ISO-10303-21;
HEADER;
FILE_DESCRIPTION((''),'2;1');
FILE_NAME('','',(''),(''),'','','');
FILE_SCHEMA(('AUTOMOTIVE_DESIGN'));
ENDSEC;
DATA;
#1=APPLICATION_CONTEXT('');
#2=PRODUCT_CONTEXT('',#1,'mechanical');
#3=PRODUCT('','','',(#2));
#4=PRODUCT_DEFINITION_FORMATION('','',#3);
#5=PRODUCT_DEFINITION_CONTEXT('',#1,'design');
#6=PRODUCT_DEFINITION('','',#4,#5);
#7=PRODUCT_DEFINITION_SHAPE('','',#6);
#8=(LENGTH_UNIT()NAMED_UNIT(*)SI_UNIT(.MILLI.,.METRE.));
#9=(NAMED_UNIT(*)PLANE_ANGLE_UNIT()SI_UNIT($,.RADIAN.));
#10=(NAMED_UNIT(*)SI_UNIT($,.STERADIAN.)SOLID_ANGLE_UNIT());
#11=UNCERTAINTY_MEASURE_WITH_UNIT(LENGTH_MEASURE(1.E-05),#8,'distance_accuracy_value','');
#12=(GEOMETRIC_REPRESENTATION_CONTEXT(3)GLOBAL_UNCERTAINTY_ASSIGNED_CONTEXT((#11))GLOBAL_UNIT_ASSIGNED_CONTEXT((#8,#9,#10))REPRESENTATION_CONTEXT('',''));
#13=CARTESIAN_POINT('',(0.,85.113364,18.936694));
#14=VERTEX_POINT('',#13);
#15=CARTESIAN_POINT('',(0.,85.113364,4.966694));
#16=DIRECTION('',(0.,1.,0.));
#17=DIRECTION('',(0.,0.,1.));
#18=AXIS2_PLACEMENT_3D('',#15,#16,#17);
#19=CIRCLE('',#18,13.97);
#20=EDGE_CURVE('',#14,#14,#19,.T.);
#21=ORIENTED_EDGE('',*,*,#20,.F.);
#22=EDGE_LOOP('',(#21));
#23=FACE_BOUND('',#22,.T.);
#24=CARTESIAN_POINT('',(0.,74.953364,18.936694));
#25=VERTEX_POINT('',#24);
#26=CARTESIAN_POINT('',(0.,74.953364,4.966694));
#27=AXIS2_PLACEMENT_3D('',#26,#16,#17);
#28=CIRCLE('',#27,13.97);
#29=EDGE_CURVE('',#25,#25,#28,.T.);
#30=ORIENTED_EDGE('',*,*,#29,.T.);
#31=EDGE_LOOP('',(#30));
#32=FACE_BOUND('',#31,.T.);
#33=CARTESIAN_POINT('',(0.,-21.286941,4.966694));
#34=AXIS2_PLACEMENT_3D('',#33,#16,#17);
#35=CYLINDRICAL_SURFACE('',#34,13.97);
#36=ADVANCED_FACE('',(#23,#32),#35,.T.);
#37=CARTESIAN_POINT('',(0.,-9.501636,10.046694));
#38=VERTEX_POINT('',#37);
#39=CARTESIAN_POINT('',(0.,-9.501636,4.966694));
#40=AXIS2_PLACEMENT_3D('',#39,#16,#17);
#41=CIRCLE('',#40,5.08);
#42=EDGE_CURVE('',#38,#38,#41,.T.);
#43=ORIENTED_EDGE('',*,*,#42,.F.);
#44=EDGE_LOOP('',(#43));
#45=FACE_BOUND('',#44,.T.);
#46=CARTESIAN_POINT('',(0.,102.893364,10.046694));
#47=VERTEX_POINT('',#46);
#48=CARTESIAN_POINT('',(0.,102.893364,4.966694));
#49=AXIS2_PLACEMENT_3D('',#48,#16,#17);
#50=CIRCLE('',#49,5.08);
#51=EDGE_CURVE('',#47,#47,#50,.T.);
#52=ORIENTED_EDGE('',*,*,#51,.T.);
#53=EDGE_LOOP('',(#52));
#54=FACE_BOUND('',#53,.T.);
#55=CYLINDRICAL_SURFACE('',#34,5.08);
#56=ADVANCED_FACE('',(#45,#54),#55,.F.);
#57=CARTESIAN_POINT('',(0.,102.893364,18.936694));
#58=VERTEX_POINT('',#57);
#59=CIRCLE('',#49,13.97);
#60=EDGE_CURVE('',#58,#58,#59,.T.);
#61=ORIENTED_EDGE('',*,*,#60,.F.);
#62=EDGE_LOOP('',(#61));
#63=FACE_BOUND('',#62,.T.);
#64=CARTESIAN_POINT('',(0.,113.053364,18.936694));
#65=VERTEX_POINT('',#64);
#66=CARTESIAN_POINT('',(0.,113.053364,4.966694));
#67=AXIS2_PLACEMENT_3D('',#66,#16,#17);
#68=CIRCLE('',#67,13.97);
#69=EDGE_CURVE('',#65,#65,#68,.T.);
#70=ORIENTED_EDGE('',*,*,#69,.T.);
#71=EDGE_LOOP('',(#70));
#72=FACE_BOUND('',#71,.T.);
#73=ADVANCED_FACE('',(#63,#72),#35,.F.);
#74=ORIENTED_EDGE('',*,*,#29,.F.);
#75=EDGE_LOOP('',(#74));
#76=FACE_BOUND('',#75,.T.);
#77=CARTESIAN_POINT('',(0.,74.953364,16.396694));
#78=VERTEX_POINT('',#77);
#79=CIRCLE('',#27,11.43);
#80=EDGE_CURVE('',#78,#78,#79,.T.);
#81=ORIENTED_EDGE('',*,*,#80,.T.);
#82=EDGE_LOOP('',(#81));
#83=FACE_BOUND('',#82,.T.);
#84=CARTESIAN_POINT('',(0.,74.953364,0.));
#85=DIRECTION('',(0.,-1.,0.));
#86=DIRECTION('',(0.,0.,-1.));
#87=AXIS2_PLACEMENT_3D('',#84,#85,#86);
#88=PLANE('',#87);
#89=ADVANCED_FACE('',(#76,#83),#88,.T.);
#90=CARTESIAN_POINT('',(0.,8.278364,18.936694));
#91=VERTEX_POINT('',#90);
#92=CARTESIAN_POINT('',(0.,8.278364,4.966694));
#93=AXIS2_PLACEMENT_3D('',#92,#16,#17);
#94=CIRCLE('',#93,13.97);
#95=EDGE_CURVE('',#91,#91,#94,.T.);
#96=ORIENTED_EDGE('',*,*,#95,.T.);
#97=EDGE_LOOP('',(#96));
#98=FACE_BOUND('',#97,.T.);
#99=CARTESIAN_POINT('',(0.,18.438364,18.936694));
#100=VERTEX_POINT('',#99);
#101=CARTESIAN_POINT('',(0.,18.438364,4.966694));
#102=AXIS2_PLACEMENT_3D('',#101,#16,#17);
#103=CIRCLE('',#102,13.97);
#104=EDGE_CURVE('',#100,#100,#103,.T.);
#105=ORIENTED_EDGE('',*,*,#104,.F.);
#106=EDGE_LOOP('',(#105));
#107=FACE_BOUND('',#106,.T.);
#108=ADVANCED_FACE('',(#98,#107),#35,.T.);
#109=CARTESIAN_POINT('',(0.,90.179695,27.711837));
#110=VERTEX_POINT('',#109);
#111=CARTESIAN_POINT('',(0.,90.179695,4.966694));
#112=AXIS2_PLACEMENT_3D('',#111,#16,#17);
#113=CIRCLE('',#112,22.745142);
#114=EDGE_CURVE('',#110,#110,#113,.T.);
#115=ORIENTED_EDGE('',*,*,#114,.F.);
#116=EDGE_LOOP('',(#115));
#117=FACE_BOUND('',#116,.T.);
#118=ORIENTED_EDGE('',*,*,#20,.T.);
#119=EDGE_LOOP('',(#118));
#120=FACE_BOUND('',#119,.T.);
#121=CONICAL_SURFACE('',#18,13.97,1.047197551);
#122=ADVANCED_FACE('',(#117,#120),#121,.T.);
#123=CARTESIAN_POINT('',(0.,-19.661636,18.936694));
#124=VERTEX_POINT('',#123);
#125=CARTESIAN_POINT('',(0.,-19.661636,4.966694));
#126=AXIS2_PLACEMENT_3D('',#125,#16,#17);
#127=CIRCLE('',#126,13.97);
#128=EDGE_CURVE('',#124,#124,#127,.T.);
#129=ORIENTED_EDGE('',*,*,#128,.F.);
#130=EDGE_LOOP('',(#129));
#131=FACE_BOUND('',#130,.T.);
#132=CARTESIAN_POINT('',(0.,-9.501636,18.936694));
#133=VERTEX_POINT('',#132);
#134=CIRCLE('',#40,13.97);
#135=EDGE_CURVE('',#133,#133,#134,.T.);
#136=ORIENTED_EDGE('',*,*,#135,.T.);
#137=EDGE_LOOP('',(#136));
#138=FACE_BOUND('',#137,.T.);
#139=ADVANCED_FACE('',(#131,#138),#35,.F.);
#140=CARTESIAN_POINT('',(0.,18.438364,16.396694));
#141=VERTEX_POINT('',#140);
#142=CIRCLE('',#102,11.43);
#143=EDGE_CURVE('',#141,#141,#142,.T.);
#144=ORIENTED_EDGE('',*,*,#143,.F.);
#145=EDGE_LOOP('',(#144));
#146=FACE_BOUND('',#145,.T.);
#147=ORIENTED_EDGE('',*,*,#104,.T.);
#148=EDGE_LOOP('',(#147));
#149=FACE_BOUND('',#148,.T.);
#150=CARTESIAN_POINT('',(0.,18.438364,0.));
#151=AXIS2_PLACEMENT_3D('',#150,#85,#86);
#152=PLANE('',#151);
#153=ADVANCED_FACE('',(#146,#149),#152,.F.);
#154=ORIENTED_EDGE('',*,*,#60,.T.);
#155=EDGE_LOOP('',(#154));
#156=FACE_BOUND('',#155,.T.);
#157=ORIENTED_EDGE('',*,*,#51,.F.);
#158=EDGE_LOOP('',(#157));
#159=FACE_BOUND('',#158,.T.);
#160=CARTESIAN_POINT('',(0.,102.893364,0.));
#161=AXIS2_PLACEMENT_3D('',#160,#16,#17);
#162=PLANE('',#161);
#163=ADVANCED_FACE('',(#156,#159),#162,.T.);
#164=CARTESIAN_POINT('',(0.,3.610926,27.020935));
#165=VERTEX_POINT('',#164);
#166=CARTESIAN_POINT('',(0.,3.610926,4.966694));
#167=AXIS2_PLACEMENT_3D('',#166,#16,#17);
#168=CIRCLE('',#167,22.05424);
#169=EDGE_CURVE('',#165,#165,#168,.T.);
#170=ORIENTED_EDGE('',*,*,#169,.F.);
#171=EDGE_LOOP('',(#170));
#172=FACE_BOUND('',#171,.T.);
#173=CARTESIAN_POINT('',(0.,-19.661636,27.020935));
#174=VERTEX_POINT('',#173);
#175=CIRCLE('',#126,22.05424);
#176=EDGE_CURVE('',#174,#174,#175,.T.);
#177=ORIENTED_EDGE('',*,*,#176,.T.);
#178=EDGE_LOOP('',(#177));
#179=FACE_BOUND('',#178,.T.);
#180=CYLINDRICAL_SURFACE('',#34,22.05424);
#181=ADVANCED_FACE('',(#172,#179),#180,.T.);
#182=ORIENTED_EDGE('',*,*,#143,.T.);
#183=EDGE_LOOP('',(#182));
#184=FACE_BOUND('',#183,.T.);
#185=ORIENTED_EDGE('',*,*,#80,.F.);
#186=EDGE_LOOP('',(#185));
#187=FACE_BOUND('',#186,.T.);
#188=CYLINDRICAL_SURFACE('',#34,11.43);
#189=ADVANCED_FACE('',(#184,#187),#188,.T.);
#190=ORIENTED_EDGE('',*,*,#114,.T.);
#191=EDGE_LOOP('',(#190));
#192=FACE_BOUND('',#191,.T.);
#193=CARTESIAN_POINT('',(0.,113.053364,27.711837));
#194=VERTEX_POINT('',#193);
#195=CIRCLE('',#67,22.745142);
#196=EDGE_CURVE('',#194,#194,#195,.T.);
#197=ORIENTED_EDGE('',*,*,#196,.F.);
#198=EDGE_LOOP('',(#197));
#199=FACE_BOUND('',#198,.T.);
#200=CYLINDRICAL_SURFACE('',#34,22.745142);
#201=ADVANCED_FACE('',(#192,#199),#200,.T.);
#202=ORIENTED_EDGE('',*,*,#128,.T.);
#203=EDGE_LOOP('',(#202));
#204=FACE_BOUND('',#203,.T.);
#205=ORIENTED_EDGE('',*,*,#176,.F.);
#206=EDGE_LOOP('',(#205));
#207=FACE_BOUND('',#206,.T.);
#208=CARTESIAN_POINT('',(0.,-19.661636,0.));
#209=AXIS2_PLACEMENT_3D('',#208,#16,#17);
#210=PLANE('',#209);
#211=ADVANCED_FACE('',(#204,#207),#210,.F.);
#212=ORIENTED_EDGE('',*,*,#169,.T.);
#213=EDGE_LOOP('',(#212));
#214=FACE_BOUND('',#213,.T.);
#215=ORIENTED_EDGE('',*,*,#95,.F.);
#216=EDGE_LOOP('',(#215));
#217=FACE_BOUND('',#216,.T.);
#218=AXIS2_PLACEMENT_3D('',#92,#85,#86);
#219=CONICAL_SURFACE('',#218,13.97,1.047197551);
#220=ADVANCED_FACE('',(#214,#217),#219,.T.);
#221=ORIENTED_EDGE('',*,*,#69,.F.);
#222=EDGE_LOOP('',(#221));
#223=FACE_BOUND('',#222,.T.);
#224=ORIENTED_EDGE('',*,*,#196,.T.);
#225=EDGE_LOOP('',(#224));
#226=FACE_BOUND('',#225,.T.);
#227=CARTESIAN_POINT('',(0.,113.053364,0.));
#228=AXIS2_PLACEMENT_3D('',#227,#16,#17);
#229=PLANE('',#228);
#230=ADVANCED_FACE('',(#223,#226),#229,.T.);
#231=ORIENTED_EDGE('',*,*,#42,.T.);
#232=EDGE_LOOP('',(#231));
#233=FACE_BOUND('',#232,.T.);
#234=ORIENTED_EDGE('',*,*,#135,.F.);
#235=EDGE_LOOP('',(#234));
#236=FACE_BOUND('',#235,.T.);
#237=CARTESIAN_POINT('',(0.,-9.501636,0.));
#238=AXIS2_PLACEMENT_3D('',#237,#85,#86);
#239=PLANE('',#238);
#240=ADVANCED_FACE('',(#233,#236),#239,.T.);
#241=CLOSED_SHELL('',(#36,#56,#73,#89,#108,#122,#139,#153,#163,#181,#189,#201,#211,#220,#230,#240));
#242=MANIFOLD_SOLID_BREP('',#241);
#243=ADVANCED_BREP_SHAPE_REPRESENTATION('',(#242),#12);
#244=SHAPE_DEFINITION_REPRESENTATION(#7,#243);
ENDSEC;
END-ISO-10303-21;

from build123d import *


with BuildPart() as part:
    # Sketch1 → Revolve3 (revolve)
    with BuildSketch(Plane(origin=(0, 0, 0), x_dir=(0, 0, -1), z_dir=(1, 0, 0))):
        Polygon((-27.711836567, 90.179694816), (-18.936694251, 85.113364038), (-18.936694251, 74.953364038), (-16.396694251, 74.953364038), (-16.396694251, 18.438364038), (-18.936694251, 18.438364038), (-18.936694251, 8.278364038), (-27.020934562, 3.610925718), (-27.020934562, -19.661635962), (-18.936694251, -19.661635962), (-18.936694251, -9.501635962), (-10.046694251, -9.501635962), (-10.046694251, 102.893364038), (-18.936694251, 102.893364038), (-18.936694251, 113.053364038), (-27.711836567, 113.053364038), align=None)
    revolve(axis=Axis((0, -21.28694113, 4.966694251), (0, -1, 0)))


solid = part.part
